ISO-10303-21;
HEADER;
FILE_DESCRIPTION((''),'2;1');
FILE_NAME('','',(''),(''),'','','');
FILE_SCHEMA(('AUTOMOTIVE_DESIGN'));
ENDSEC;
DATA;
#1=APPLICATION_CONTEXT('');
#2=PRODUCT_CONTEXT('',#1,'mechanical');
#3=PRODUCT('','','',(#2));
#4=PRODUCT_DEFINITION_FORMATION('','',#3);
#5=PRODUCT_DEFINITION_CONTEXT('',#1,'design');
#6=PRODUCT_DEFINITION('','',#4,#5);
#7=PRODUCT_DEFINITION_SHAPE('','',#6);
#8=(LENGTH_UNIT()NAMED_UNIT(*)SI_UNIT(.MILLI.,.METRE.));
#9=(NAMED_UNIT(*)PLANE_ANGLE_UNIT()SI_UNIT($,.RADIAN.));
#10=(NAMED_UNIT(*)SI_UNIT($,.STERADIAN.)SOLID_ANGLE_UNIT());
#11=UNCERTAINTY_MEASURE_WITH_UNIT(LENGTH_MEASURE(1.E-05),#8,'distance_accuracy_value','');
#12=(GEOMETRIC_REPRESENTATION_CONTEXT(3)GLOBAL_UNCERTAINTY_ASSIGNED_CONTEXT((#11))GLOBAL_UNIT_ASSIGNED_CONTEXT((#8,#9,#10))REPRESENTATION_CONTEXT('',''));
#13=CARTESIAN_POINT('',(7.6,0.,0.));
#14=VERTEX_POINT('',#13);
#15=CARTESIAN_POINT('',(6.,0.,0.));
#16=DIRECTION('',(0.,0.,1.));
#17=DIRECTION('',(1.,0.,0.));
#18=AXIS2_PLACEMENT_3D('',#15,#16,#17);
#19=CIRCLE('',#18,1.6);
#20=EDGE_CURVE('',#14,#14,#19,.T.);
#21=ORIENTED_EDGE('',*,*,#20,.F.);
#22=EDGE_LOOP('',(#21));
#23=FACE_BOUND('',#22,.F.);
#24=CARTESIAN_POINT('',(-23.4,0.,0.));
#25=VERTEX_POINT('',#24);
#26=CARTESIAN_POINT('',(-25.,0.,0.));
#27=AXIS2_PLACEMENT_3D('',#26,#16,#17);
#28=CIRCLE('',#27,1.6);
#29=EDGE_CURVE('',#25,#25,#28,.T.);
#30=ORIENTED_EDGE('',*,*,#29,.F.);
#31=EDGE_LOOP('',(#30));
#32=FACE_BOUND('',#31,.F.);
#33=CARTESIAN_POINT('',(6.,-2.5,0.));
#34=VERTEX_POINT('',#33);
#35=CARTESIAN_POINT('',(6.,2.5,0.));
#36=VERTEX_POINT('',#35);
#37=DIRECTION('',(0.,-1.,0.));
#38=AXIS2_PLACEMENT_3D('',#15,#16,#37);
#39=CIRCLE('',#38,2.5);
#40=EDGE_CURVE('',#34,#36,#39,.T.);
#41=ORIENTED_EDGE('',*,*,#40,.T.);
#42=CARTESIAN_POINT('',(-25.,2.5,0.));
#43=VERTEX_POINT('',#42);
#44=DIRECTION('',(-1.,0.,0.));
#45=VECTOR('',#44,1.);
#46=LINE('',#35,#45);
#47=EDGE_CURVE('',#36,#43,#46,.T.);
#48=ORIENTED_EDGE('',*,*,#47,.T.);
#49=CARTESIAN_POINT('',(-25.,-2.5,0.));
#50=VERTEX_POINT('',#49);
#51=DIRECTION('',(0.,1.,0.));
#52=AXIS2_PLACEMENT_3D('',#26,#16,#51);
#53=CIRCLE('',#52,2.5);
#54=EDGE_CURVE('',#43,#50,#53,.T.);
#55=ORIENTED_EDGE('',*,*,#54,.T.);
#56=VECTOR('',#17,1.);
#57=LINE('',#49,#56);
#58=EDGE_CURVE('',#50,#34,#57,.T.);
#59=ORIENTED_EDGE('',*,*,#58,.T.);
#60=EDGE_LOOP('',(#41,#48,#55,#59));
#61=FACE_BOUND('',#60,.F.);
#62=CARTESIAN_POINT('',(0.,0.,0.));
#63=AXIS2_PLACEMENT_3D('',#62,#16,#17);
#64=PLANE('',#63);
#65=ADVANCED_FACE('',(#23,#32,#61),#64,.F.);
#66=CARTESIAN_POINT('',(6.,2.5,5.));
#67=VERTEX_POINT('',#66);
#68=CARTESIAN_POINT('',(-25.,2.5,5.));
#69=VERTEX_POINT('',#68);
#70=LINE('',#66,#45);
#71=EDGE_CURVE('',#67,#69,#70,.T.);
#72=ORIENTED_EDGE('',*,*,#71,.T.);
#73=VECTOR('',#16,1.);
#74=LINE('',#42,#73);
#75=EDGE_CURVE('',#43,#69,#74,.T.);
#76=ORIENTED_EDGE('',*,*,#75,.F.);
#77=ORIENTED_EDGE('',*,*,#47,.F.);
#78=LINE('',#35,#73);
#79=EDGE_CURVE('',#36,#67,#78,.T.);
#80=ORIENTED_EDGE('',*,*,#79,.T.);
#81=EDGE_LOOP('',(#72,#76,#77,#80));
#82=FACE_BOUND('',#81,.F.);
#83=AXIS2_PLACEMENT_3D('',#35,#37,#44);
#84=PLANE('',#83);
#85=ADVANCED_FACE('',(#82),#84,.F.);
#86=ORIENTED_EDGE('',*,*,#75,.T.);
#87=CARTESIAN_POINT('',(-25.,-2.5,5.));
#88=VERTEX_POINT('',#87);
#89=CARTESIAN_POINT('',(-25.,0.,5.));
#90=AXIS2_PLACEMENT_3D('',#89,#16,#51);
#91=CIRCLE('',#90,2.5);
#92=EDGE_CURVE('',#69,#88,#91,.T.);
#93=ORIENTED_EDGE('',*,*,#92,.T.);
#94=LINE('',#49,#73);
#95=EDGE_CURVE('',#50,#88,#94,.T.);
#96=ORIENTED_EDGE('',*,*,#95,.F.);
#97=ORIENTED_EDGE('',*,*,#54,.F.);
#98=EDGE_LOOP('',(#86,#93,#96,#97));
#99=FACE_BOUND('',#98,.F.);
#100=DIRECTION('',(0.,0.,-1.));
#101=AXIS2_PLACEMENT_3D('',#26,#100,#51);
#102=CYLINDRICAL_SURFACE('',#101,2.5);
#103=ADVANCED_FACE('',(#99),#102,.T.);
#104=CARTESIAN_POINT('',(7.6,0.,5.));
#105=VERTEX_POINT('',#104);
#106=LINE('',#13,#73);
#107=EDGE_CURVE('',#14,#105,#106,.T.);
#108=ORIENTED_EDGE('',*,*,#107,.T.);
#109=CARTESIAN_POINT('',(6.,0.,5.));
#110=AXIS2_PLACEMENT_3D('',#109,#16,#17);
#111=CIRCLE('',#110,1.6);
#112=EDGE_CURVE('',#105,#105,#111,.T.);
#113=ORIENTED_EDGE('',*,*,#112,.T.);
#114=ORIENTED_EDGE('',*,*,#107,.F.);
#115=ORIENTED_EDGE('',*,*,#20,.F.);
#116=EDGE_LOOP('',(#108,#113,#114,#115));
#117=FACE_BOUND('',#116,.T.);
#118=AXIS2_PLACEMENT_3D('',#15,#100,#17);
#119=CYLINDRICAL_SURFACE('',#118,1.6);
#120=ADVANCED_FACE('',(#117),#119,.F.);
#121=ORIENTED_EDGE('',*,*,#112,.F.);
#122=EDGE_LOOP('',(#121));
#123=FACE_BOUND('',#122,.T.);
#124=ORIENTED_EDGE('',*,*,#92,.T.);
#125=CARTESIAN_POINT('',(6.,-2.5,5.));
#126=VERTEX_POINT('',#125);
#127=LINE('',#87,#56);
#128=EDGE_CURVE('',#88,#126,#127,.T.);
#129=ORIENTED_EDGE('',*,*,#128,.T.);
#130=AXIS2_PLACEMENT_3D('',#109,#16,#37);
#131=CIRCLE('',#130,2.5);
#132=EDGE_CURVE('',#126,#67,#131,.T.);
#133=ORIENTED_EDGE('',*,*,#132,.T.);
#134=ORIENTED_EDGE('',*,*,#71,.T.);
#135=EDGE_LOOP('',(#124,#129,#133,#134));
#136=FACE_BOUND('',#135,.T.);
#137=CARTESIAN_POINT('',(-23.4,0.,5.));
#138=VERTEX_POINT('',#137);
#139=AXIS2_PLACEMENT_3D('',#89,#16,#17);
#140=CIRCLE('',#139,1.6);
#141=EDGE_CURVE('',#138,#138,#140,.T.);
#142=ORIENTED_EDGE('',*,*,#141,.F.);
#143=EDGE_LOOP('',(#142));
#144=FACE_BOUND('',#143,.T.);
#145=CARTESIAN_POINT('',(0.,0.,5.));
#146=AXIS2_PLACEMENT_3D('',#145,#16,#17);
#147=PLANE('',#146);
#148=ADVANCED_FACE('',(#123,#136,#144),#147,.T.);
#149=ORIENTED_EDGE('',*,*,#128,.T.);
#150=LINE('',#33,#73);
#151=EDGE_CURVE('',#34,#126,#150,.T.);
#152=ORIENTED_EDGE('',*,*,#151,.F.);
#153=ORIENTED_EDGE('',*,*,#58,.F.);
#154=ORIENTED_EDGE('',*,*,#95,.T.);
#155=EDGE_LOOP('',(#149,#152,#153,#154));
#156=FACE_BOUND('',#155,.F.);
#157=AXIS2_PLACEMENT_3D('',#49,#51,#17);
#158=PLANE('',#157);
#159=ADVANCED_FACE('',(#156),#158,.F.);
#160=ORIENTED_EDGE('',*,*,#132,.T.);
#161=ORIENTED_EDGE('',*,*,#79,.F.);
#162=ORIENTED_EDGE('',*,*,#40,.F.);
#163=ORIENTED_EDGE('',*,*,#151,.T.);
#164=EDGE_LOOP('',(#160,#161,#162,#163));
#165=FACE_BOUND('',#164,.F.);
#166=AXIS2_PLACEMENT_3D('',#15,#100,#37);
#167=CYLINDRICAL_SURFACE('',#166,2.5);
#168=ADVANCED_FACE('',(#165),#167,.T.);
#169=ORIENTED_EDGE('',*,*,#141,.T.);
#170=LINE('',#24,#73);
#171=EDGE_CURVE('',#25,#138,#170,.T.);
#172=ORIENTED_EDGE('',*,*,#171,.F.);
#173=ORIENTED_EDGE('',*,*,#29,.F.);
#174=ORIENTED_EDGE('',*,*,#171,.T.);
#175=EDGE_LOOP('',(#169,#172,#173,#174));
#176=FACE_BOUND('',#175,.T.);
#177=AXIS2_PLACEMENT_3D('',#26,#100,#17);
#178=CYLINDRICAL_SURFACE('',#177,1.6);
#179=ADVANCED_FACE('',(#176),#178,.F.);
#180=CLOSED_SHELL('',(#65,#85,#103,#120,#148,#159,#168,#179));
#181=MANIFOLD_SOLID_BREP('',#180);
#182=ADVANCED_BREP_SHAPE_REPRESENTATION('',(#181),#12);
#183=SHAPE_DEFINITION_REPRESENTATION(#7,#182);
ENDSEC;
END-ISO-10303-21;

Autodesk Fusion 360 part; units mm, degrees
sketch "스케치1" plane through (0, 0, 0) normal (0, 0, 1) x (1, 0, 0)
  line L0 (-25, -2.5) -> (6, -2.5)
  arc A0 (6, -2.5) -> (6, 2.5) centre (6, 0) ccw
  line L1 (6, 2.5) -> (-25, 2.5)
  arc A1 (-25, 2.5) -> (-25, -2.5) centre (-25, 0) ccw
  line L2 (-25, 0) -> (6, 0) construction
  circle A2 centre (6, 0) radius 1.6
  circle A3 centre (-25, 0) radius 1.6
  dimension "d1" = 31
  dimension "d2" = 5
  dimension "d3" = 3.2
  dimension "d4" = 3.2
extrude "돌출1" add sketch "스케치1" along normal blind 5
